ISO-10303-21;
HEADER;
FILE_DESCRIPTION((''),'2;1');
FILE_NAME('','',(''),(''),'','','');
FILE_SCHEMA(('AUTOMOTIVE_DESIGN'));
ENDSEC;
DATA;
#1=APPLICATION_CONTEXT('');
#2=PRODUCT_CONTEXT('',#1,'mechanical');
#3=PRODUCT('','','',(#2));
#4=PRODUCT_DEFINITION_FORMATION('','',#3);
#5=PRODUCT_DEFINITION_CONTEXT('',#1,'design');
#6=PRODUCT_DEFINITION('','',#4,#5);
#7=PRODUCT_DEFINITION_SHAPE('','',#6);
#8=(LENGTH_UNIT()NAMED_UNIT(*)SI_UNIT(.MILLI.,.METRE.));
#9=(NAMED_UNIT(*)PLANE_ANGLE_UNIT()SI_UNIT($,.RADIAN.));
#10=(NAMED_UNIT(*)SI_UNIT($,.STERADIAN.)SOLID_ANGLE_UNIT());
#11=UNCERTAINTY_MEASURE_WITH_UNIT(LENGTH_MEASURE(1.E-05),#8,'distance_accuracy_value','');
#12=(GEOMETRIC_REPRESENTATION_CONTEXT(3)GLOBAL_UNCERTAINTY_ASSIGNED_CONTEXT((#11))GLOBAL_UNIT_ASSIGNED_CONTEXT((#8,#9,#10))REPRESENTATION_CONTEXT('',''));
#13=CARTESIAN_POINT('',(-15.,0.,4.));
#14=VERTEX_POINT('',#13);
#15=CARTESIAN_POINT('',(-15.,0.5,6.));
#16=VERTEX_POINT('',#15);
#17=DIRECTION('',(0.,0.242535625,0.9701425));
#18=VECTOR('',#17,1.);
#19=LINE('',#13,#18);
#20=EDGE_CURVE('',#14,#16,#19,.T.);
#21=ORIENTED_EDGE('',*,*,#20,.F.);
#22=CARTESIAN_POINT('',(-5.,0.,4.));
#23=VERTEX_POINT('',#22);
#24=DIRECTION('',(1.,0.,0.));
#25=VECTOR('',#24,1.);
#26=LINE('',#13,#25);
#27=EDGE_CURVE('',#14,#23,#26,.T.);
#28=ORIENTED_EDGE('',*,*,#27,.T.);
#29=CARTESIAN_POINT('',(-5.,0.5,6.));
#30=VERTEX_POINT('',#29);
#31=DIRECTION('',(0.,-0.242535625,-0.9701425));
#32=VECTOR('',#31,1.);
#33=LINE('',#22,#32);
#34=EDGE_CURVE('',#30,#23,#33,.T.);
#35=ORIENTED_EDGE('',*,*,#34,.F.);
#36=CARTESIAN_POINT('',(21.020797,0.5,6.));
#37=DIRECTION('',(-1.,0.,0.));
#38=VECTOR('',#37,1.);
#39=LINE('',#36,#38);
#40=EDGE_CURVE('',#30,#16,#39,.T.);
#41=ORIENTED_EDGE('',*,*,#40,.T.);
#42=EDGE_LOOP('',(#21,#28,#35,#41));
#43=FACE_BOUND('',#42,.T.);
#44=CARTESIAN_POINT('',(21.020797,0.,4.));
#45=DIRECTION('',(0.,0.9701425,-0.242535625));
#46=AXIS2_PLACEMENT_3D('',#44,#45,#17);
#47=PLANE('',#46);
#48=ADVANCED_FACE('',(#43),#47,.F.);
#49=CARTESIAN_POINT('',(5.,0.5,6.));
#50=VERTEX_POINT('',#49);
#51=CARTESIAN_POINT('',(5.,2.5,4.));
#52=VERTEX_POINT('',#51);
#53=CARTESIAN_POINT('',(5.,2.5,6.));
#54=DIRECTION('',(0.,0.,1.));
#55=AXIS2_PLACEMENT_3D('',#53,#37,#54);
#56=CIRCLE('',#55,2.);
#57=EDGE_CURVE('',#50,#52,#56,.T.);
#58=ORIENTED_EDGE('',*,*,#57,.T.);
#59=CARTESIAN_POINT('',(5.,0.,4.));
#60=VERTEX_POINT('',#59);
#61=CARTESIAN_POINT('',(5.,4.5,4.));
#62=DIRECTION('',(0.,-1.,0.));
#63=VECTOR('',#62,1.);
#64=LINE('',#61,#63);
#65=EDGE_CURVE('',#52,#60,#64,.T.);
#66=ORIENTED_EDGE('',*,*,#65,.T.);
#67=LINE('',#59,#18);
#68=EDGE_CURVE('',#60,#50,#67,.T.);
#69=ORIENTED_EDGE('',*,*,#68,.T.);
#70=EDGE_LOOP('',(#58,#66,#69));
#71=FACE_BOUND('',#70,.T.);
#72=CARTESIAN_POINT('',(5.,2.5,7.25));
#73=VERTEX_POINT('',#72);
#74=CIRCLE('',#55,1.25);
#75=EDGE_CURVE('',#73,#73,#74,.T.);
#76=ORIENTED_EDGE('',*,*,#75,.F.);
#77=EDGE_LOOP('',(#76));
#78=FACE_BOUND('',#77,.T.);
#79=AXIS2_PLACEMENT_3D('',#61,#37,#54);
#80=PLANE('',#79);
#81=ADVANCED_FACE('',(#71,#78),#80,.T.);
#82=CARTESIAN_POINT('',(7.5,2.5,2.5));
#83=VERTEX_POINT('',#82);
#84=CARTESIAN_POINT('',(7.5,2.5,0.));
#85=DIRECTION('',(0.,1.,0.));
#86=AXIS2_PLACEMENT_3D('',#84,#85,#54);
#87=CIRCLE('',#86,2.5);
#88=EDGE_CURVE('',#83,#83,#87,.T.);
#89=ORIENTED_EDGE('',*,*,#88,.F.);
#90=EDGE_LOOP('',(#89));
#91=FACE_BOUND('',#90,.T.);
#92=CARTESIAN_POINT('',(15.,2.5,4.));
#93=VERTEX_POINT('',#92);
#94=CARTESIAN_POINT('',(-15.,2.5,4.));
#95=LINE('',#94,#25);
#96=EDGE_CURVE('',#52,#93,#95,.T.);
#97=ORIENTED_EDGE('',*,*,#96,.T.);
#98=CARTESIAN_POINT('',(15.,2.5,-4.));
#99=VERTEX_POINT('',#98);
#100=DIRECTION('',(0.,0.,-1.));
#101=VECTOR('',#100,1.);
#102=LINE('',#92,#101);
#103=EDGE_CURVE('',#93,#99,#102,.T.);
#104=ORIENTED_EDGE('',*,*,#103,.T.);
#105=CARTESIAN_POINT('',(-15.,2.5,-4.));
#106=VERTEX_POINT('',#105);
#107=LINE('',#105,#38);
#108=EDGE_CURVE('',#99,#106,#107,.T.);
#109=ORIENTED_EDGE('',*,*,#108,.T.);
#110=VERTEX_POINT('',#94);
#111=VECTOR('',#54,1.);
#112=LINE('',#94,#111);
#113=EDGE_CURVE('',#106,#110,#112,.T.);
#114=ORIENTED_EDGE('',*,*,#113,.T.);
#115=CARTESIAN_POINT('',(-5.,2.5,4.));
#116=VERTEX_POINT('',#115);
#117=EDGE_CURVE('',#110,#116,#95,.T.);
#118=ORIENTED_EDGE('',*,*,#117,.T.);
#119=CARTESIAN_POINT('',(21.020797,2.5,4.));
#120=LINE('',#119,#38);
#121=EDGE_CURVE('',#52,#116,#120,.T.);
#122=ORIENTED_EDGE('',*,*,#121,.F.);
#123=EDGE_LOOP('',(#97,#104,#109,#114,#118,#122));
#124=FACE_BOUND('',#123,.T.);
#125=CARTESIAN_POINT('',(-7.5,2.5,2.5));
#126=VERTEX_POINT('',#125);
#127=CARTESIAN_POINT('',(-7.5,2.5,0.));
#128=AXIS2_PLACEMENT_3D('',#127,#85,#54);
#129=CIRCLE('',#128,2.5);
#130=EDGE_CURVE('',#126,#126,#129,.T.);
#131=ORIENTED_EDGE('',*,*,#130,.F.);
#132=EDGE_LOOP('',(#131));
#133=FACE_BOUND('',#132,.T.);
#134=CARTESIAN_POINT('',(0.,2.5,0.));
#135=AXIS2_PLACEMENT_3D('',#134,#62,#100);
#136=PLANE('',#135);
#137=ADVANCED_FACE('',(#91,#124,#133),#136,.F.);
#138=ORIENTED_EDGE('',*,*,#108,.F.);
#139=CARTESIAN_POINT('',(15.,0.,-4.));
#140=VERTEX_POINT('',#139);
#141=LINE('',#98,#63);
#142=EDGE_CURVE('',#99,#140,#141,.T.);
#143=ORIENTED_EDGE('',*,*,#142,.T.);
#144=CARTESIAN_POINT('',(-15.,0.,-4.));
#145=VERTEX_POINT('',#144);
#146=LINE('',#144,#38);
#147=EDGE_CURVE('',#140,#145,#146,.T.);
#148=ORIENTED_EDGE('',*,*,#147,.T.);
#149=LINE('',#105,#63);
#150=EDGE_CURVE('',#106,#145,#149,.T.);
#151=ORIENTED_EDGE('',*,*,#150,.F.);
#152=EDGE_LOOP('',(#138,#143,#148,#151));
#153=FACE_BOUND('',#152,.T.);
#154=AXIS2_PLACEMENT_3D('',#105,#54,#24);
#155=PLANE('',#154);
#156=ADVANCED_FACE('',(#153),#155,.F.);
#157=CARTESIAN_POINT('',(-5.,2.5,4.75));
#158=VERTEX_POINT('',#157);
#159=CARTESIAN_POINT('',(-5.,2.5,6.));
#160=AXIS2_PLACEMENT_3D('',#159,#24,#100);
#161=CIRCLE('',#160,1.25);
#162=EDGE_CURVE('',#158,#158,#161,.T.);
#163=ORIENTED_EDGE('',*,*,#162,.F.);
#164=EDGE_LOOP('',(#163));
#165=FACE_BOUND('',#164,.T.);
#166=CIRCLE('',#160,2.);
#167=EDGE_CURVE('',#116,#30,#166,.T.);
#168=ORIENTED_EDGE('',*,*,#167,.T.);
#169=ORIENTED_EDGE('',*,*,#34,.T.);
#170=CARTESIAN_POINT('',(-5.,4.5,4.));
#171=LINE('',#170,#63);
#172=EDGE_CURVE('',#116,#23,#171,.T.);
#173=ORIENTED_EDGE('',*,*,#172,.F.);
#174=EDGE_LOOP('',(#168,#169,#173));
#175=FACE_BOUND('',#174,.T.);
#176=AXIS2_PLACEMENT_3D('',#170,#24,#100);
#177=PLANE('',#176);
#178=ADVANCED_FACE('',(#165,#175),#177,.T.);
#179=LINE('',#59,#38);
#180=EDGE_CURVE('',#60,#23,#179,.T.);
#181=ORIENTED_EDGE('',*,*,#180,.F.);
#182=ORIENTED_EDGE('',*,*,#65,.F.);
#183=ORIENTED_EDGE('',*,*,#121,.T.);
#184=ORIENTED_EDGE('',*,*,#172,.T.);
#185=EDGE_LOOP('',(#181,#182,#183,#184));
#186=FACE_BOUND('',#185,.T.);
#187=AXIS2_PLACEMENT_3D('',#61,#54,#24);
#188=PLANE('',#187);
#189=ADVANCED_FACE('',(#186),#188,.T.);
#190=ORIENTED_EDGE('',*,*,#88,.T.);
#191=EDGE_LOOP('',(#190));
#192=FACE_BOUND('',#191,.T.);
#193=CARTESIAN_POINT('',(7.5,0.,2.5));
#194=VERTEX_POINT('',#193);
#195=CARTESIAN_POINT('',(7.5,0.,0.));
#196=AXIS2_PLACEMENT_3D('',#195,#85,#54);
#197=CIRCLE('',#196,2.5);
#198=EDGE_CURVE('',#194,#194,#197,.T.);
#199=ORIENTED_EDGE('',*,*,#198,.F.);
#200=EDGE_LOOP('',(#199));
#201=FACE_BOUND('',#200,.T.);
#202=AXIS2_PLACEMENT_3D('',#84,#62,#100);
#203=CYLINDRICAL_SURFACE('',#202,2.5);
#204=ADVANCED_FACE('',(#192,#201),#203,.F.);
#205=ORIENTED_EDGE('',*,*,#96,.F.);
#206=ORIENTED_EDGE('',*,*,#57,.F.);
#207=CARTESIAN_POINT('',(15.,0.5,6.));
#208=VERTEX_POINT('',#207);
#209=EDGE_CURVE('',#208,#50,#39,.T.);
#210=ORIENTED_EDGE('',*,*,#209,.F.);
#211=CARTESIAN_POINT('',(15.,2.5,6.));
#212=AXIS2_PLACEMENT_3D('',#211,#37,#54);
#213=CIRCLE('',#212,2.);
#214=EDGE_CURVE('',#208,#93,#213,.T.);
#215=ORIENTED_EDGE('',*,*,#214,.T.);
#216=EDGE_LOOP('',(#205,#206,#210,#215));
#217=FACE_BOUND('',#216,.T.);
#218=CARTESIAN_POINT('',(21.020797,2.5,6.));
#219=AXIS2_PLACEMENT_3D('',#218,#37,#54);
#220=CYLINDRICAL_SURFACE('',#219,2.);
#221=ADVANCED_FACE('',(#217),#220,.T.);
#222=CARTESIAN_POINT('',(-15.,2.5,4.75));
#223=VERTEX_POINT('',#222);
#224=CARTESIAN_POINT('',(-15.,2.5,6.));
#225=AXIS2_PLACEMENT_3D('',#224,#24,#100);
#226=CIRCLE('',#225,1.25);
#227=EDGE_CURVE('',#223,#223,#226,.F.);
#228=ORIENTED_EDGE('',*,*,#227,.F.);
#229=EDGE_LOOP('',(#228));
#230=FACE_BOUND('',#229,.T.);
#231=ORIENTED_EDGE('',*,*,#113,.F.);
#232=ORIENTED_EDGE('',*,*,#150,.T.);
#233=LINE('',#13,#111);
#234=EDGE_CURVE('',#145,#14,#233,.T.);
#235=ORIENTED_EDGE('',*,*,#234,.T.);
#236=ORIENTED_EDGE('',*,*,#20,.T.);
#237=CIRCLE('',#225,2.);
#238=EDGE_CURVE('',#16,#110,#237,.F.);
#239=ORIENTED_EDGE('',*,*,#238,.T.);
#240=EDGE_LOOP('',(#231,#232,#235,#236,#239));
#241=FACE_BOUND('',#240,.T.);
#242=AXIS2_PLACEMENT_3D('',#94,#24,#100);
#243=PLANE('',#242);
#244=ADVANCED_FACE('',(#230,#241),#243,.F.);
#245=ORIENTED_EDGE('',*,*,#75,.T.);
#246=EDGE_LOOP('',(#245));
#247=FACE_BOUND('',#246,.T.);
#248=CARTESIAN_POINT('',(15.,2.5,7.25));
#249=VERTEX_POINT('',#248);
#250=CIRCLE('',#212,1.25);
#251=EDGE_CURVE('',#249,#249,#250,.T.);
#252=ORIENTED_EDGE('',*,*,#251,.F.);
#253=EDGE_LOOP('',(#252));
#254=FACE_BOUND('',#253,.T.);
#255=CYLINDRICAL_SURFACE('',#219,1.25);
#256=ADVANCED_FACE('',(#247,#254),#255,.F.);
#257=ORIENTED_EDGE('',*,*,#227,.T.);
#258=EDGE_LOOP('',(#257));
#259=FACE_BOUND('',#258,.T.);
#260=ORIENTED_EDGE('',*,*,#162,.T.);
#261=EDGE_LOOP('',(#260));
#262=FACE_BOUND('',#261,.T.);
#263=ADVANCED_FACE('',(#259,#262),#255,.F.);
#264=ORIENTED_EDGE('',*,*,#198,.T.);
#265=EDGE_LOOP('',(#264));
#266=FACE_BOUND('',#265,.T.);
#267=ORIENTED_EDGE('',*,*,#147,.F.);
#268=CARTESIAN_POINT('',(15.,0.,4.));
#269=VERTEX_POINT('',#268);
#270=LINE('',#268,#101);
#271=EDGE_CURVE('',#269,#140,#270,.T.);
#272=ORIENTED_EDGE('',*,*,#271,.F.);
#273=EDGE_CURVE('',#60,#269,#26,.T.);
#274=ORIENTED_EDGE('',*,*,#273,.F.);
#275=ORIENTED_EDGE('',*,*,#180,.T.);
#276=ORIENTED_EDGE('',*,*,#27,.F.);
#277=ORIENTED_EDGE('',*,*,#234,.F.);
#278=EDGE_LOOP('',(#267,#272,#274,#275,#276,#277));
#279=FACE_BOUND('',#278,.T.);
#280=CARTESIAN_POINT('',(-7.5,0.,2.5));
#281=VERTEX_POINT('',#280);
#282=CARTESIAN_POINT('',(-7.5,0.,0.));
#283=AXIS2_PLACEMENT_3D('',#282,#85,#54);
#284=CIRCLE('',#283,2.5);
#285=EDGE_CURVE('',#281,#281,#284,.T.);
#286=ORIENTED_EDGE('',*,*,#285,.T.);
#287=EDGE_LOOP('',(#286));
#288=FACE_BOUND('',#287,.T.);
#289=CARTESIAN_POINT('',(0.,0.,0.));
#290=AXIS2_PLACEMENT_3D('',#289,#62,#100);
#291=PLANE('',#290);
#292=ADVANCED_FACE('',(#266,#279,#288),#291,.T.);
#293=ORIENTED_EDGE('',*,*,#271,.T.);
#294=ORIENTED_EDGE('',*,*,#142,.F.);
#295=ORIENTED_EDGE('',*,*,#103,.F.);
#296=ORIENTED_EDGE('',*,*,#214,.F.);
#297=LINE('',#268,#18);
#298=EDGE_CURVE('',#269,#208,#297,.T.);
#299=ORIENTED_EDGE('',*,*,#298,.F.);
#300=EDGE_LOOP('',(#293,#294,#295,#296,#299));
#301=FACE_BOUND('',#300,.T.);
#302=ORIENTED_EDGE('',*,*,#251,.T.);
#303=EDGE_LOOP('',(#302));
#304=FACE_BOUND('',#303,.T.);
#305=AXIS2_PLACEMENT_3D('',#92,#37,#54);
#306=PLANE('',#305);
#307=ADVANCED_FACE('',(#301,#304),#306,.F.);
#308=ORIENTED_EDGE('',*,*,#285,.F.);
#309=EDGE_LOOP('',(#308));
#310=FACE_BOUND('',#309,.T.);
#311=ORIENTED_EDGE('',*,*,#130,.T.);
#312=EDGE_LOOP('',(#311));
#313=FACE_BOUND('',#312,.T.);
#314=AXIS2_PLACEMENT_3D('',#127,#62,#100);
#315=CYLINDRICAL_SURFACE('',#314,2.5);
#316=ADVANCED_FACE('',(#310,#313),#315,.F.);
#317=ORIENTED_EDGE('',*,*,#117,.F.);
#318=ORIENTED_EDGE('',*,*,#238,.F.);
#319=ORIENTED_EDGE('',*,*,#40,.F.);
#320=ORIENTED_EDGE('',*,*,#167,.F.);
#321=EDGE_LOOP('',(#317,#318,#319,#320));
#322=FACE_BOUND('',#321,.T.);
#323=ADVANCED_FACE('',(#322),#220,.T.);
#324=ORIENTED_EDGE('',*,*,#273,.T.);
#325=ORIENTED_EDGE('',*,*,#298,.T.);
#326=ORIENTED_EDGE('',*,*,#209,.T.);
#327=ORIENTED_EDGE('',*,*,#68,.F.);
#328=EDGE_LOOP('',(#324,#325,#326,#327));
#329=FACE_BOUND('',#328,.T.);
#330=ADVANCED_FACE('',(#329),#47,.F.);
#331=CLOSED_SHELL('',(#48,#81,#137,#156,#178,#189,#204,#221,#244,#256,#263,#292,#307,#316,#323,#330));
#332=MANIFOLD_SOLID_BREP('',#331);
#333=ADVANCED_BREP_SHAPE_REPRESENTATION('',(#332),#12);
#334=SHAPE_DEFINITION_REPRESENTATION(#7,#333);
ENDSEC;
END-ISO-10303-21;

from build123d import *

# Parameters (mm, degrees)
SKETCH1_W                       = 30
SKETCH1_H                       = 8
SKETCH1_R                       = 2.5
BOSS_EXTRUDE1_DEPTH             = 2.5
BOSS_EXTRUDE2_REACH             = 17
SKETCH2_R                       = 1.25
BOSS_EXTRUDE2_DIRECTION_2_REACH = 17
SKETCH4_W                       = 10
SKETCH4_H                       = 4
CUT_EXTRUDE2_DEPTH              = 5.5


with BuildPart() as part:
    # Sketch1 → Boss-Extrude1 (new body)
    with BuildSketch(Plane(origin=(0, 0, 0), x_dir=(1, 0, 0), z_dir=(0, 1, 0))):
        Rectangle(SKETCH1_W, SKETCH1_H)
        with Locations((-7.5, 0)):
            Circle(SKETCH1_R, mode=Mode.SUBTRACT)
        with Locations((7.5, 0)):
            Circle(SKETCH1_R, mode=Mode.SUBTRACT)
    extrude(amount=BOSS_EXTRUDE1_DEPTH)

    # Boss-Extrude2: up to this face of the body (flat: up to its plane)
    boss_extrude2_end = Plane(part.part.faces().sort_by_distance((15, 1.25, 0))[0])
    # Sketch2 → Boss-Extrude2 (add, up to the picked face)
    with BuildSketch(Plane(origin=(0, 0, 0), x_dir=(0, 0, -1), z_dir=(1, 0, 0)), mode=Mode.PRIVATE) as boss_extrude2_sk1:
        with BuildLine():
            Line((-4, 2.5), (-4, 0))
            Line((-4, 0), (-6, 0.5))
            ThreePointArc((-6, 0.5), (-7.414213562, 3.914213562), (-4, 2.5))
        make_face()
        with Locations((-6, 2.5)):
            Circle(SKETCH2_R, mode=Mode.SUBTRACT)
    boss_extrude2_tool1 = split(extrude(boss_extrude2_sk1.sketch, amount=BOSS_EXTRUDE2_REACH, mode=Mode.PRIVATE), bisect_by=boss_extrude2_end, keep=Keep.BOTH, mode=Mode.PRIVATE)
    add(boss_extrude2_tool1.solids().sort_by_distance((0, 1.25, 4.060208))[0])

    # Boss-Extrude2 direction 2: up to this face of the body (flat: up to its plane)
    boss_extrude2_direction_2_end = Plane(part.part.faces().sort_by_distance((-15, 1.25, 0))[0])
    # Sketch2 → Boss-Extrude2 direction 2 (add, up to the picked face)
    with BuildSketch(Plane(origin=(0, 0, 0), x_dir=(0, 0, -1), z_dir=(1, 0, 0)), mode=Mode.PRIVATE) as boss_extrude2_direction_2_sk1:
        with BuildLine():
            Line((-4, 2.5), (-4, 0))
            Line((-4, 0), (-6, 0.5))
            ThreePointArc((-6, 0.5), (-7.414213562, 3.914213562), (-4, 2.5))
        make_face()
        with Locations((-6, 2.5)):
            Circle(SKETCH2_R, mode=Mode.SUBTRACT)
    boss_extrude2_direction_2_tool1 = split(extrude(boss_extrude2_direction_2_sk1.sketch, amount=-BOSS_EXTRUDE2_DIRECTION_2_REACH, mode=Mode.PRIVATE), bisect_by=boss_extrude2_direction_2_end, keep=Keep.BOTH, mode=Mode.PRIVATE)
    add(boss_extrude2_direction_2_tool1.solids().sort_by_distance((0, 1.25, 4.060208))[0])

    # Sketch4 → Cut-Extrude2 (cut, through all)
    with BuildSketch(Plane(origin=(0, 0, 0), x_dir=(1, 0, 0), z_dir=(0, 1, 0))):
        with Locations((0, -6)):
            Rectangle(SKETCH4_W, SKETCH4_H)
    extrude(amount=CUT_EXTRUDE2_DEPTH, mode=Mode.SUBTRACT)


solid = part.part
